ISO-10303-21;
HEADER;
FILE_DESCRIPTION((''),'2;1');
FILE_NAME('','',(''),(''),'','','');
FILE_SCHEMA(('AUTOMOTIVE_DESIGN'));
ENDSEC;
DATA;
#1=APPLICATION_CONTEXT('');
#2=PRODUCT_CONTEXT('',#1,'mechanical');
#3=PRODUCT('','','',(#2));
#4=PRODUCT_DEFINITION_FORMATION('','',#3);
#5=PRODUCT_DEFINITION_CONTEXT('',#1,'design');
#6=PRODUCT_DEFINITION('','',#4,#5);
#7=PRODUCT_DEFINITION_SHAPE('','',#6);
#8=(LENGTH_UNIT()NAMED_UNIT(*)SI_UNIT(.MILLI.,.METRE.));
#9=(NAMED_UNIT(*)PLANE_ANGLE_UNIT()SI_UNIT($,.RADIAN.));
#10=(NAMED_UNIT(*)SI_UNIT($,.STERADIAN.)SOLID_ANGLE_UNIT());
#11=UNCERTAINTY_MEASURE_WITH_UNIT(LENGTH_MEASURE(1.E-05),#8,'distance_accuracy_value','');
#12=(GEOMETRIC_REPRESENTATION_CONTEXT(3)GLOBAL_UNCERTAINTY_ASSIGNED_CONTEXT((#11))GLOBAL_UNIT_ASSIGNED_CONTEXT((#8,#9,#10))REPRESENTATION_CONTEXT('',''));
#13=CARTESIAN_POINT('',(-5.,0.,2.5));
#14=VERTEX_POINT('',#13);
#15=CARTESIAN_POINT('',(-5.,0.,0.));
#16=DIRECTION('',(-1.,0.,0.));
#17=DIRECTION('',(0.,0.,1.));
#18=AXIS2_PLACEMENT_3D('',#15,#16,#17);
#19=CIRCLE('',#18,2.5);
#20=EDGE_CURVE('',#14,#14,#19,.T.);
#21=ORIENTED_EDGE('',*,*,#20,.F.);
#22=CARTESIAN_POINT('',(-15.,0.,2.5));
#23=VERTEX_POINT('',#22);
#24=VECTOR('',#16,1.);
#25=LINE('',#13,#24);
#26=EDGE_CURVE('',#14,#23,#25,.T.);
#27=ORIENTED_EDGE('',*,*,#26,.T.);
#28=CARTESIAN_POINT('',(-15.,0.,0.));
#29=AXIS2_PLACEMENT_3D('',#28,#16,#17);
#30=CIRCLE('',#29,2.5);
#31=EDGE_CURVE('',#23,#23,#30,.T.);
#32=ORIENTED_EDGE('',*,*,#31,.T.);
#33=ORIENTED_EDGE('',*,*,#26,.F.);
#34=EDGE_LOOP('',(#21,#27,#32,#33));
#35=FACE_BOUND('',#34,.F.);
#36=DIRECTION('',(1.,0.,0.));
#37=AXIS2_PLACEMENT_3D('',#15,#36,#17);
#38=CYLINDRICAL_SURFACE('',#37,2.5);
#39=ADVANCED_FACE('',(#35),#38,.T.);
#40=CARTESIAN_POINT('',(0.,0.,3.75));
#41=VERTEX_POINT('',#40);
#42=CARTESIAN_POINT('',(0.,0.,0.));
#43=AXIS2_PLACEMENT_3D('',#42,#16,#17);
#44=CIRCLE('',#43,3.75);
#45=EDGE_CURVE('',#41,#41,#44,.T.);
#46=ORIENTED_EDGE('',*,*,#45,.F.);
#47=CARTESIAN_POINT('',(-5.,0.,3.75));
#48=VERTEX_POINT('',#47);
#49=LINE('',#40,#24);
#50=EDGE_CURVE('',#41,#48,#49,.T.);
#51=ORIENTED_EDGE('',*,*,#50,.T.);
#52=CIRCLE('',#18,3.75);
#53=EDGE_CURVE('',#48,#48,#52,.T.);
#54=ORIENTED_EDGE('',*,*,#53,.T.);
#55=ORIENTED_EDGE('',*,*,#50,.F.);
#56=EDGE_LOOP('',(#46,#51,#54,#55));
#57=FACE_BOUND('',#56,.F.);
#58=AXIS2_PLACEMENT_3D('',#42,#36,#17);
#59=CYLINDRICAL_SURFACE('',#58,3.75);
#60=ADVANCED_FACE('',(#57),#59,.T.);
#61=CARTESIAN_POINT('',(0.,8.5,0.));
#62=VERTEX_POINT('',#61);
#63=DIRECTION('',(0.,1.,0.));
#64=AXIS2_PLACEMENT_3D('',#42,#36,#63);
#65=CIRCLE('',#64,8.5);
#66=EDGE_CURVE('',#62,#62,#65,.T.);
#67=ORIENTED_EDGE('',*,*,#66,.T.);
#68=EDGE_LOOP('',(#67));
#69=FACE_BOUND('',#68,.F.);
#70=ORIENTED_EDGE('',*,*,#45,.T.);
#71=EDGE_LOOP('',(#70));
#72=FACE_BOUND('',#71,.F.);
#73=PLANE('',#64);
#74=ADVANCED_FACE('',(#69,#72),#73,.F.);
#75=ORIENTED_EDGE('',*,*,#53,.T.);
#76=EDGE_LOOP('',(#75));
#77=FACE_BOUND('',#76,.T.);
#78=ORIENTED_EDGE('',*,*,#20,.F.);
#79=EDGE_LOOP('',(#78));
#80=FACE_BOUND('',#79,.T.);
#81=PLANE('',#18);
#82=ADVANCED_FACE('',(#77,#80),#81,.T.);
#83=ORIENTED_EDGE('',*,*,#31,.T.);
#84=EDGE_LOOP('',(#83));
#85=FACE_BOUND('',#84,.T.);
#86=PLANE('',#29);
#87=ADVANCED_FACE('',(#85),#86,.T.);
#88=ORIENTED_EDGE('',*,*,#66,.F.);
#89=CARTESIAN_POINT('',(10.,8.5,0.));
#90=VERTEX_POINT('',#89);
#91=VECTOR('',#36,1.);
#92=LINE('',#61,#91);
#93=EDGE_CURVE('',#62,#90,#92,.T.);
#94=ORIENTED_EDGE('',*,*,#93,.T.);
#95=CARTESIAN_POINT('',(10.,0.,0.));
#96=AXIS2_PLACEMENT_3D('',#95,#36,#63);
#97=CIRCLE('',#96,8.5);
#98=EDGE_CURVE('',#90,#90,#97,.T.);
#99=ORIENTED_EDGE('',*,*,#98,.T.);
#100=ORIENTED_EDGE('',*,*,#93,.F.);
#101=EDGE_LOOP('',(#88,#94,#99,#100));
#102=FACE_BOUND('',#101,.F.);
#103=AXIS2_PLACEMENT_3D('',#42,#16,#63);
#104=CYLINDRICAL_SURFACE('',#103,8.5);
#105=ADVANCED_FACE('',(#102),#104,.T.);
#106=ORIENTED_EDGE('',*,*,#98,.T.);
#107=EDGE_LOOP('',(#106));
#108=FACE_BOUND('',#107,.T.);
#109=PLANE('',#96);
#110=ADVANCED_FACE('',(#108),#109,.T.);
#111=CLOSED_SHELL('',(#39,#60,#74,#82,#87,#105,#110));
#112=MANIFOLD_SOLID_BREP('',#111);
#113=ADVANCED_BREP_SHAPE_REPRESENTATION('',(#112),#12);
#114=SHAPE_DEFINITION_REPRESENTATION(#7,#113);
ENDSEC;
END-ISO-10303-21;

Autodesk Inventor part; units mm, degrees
ref_plane "XZ Plane" through (0, 0, 0) normal (0, 1, 0) x (-1, 0, 0)
ref_plane "XY Plane" through (0, 0, 0) normal (0, 0, 1) x (1, 0, 0)
sketch "Sketch1" plane through (0, 0, 0) normal (1, 0, 0) x (0, 1, 0)
  circle A0 centre (0, 0) radius 8.5
  dimension "d0" = 17
extrude "Extrusion1" add sketch "Sketch1" along normal blind 10
sketch "Sketch2" plane through (0, 0, 0) normal (-1, 0, 0) x (0, 0, 1)
  circle A0 centre (0, 0) radius 3.75
  dimension "d3" = 7.5
extrude "Extrusion2" add sketch "Sketch2" along normal blind 5
sketch "Sketch3" plane through (-5, 0, 0) normal (-1, 0, 0) x (0, 0, 1)
  circle A0 centre (0, 0) radius 2.5
  dimension "d6" = 5
extrude "Extrusion3" add sketch "Sketch3" along normal blind 10
properties part number "rond tournant 1"
